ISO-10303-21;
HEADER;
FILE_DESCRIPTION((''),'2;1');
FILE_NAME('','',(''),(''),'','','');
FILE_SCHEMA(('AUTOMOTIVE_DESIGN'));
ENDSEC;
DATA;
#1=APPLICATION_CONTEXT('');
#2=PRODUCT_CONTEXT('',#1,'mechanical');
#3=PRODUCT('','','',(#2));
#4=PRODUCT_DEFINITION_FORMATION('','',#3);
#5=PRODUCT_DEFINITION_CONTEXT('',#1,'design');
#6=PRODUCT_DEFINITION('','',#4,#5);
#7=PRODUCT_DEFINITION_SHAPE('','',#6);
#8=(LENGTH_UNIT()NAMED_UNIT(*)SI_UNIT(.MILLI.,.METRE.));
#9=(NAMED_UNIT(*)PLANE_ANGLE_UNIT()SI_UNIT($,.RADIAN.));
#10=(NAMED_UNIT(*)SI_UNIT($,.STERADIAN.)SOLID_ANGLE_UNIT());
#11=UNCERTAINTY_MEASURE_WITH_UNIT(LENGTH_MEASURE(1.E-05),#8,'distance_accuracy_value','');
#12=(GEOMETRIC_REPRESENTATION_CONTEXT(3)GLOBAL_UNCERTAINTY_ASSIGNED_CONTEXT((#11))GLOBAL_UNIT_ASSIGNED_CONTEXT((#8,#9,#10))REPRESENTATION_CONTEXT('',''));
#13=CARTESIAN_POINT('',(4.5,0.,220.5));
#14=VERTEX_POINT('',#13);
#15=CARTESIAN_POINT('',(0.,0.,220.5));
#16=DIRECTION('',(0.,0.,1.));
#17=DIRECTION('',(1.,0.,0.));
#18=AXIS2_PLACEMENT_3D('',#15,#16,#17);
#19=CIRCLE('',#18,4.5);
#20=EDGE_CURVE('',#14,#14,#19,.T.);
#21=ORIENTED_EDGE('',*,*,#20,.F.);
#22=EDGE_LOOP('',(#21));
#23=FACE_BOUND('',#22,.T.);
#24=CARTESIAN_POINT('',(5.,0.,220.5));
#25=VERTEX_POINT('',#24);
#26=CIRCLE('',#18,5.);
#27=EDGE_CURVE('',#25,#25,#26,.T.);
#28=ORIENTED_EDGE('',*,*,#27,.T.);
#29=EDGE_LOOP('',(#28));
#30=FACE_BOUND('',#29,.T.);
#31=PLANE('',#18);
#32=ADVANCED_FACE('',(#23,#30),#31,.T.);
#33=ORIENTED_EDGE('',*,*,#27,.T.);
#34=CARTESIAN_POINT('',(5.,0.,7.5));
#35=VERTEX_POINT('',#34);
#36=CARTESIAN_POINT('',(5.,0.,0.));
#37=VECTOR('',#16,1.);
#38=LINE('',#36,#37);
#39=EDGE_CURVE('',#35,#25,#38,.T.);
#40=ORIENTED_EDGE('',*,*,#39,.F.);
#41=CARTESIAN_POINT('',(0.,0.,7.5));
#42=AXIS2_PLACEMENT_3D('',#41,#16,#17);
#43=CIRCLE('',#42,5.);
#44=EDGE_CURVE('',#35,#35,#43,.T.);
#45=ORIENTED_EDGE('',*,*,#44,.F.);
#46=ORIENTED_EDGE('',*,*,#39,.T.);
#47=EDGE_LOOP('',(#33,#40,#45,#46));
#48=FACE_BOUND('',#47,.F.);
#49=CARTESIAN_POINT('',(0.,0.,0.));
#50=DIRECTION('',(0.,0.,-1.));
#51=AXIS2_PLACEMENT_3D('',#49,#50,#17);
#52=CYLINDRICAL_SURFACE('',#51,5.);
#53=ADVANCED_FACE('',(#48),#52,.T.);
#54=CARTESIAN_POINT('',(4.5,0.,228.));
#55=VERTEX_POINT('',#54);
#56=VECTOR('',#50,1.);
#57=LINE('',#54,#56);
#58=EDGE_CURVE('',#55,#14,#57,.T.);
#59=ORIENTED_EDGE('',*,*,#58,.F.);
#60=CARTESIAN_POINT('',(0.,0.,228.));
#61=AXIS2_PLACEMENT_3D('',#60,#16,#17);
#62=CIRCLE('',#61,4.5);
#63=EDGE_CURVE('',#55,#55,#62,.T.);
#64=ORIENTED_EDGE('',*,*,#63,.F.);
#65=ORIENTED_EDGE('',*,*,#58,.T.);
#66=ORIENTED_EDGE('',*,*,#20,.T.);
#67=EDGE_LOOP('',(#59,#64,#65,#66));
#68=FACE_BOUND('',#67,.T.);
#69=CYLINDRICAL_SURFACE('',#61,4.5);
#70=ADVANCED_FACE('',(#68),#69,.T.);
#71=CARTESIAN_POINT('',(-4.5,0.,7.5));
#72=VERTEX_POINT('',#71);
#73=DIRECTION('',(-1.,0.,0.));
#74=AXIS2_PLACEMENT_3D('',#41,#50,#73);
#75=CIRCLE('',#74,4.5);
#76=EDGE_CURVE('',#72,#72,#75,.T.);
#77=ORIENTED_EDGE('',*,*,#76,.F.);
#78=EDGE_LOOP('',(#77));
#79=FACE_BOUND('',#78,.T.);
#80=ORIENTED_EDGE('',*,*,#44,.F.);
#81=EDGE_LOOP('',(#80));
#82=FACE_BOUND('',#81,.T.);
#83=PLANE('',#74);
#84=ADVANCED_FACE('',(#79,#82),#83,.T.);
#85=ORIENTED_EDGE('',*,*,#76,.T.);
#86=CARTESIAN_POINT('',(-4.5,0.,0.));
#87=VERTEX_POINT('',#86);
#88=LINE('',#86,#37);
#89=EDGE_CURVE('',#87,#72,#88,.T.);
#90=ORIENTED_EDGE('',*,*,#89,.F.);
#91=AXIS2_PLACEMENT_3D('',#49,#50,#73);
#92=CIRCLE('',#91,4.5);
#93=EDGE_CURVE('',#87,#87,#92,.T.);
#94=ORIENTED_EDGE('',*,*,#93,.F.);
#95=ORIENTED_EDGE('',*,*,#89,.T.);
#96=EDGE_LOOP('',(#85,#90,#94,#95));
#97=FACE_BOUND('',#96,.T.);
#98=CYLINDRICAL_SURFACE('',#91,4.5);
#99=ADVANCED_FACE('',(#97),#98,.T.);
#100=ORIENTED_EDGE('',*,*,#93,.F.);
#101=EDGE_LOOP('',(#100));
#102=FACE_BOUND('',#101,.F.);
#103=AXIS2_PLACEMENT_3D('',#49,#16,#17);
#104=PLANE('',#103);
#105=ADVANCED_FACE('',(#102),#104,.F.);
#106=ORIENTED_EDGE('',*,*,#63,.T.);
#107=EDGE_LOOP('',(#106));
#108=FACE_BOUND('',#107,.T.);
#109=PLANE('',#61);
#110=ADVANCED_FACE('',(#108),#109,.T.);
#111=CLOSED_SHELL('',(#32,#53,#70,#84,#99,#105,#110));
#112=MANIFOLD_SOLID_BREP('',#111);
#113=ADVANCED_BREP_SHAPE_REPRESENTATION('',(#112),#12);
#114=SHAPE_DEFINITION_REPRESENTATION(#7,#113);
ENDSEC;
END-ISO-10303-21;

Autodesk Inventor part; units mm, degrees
ref_plane "YZ Plane" through (0, 0, 0) normal (1, 0, 0) x (0, 1, 0)
ref_plane "XZ Plane" through (0, 0, 0) normal (0, 1, 0) x (-1, 0, 0)
ref_plane "XY Plane" through (0, 0, 0) normal (0, 0, 1) x (1, 0, 0)
sketch "Sketch2" plane through (0, 0, 0) normal (0, 0, 1) x (1, 0, 0)
  circle A0 centre (0, 0) radius 5
  dimension "d7" = 10
extrude "Extrusion2" add sketch "Sketch2" along normal blind 228
sketch "Sketch3" plane through (0, 0, 228) normal (0, 0, 1) x (1, 0, 0)
  circle A0 centre (0, 0) radius 4.5
  circle A1 centre (0, 0) radius 5
  dimension "d10" = 9
extrude "Extrusion3" cut sketch "Sketch3" against normal blind 7.5
sketch "Sketch4" plane through (0, 0, 0) normal (0, 0, -1) x (-1, 0, 0)
  circle A0 centre (0, 0) radius 4.5
  circle A1 centre (0, 0) radius 5
  dimension "d13" = 9
  dimension "d14" = 10
extrude "Extrusion4" cut sketch "Sketch4" against normal blind 7.5
equation "\"BendRadius\" = Thickness"
equation "\"BendReliefWidth\" = Thickness"
equation "\"BendReliefDepth\" = 0.5 * Thickness"
equation "\"CornerReliefSize\" = 4 * Thickness"
equation "\"MinimumRemnant\" = 2 * Thickness"
equation "\"TransitionRadius\" = BendRadius"
equation "\"JacobiRadiusSize\" = BendRadius"
equation "\"GapSize\" = Thickness"
equation "\"Thickness\" = 0.5"
properties part number "link2"
